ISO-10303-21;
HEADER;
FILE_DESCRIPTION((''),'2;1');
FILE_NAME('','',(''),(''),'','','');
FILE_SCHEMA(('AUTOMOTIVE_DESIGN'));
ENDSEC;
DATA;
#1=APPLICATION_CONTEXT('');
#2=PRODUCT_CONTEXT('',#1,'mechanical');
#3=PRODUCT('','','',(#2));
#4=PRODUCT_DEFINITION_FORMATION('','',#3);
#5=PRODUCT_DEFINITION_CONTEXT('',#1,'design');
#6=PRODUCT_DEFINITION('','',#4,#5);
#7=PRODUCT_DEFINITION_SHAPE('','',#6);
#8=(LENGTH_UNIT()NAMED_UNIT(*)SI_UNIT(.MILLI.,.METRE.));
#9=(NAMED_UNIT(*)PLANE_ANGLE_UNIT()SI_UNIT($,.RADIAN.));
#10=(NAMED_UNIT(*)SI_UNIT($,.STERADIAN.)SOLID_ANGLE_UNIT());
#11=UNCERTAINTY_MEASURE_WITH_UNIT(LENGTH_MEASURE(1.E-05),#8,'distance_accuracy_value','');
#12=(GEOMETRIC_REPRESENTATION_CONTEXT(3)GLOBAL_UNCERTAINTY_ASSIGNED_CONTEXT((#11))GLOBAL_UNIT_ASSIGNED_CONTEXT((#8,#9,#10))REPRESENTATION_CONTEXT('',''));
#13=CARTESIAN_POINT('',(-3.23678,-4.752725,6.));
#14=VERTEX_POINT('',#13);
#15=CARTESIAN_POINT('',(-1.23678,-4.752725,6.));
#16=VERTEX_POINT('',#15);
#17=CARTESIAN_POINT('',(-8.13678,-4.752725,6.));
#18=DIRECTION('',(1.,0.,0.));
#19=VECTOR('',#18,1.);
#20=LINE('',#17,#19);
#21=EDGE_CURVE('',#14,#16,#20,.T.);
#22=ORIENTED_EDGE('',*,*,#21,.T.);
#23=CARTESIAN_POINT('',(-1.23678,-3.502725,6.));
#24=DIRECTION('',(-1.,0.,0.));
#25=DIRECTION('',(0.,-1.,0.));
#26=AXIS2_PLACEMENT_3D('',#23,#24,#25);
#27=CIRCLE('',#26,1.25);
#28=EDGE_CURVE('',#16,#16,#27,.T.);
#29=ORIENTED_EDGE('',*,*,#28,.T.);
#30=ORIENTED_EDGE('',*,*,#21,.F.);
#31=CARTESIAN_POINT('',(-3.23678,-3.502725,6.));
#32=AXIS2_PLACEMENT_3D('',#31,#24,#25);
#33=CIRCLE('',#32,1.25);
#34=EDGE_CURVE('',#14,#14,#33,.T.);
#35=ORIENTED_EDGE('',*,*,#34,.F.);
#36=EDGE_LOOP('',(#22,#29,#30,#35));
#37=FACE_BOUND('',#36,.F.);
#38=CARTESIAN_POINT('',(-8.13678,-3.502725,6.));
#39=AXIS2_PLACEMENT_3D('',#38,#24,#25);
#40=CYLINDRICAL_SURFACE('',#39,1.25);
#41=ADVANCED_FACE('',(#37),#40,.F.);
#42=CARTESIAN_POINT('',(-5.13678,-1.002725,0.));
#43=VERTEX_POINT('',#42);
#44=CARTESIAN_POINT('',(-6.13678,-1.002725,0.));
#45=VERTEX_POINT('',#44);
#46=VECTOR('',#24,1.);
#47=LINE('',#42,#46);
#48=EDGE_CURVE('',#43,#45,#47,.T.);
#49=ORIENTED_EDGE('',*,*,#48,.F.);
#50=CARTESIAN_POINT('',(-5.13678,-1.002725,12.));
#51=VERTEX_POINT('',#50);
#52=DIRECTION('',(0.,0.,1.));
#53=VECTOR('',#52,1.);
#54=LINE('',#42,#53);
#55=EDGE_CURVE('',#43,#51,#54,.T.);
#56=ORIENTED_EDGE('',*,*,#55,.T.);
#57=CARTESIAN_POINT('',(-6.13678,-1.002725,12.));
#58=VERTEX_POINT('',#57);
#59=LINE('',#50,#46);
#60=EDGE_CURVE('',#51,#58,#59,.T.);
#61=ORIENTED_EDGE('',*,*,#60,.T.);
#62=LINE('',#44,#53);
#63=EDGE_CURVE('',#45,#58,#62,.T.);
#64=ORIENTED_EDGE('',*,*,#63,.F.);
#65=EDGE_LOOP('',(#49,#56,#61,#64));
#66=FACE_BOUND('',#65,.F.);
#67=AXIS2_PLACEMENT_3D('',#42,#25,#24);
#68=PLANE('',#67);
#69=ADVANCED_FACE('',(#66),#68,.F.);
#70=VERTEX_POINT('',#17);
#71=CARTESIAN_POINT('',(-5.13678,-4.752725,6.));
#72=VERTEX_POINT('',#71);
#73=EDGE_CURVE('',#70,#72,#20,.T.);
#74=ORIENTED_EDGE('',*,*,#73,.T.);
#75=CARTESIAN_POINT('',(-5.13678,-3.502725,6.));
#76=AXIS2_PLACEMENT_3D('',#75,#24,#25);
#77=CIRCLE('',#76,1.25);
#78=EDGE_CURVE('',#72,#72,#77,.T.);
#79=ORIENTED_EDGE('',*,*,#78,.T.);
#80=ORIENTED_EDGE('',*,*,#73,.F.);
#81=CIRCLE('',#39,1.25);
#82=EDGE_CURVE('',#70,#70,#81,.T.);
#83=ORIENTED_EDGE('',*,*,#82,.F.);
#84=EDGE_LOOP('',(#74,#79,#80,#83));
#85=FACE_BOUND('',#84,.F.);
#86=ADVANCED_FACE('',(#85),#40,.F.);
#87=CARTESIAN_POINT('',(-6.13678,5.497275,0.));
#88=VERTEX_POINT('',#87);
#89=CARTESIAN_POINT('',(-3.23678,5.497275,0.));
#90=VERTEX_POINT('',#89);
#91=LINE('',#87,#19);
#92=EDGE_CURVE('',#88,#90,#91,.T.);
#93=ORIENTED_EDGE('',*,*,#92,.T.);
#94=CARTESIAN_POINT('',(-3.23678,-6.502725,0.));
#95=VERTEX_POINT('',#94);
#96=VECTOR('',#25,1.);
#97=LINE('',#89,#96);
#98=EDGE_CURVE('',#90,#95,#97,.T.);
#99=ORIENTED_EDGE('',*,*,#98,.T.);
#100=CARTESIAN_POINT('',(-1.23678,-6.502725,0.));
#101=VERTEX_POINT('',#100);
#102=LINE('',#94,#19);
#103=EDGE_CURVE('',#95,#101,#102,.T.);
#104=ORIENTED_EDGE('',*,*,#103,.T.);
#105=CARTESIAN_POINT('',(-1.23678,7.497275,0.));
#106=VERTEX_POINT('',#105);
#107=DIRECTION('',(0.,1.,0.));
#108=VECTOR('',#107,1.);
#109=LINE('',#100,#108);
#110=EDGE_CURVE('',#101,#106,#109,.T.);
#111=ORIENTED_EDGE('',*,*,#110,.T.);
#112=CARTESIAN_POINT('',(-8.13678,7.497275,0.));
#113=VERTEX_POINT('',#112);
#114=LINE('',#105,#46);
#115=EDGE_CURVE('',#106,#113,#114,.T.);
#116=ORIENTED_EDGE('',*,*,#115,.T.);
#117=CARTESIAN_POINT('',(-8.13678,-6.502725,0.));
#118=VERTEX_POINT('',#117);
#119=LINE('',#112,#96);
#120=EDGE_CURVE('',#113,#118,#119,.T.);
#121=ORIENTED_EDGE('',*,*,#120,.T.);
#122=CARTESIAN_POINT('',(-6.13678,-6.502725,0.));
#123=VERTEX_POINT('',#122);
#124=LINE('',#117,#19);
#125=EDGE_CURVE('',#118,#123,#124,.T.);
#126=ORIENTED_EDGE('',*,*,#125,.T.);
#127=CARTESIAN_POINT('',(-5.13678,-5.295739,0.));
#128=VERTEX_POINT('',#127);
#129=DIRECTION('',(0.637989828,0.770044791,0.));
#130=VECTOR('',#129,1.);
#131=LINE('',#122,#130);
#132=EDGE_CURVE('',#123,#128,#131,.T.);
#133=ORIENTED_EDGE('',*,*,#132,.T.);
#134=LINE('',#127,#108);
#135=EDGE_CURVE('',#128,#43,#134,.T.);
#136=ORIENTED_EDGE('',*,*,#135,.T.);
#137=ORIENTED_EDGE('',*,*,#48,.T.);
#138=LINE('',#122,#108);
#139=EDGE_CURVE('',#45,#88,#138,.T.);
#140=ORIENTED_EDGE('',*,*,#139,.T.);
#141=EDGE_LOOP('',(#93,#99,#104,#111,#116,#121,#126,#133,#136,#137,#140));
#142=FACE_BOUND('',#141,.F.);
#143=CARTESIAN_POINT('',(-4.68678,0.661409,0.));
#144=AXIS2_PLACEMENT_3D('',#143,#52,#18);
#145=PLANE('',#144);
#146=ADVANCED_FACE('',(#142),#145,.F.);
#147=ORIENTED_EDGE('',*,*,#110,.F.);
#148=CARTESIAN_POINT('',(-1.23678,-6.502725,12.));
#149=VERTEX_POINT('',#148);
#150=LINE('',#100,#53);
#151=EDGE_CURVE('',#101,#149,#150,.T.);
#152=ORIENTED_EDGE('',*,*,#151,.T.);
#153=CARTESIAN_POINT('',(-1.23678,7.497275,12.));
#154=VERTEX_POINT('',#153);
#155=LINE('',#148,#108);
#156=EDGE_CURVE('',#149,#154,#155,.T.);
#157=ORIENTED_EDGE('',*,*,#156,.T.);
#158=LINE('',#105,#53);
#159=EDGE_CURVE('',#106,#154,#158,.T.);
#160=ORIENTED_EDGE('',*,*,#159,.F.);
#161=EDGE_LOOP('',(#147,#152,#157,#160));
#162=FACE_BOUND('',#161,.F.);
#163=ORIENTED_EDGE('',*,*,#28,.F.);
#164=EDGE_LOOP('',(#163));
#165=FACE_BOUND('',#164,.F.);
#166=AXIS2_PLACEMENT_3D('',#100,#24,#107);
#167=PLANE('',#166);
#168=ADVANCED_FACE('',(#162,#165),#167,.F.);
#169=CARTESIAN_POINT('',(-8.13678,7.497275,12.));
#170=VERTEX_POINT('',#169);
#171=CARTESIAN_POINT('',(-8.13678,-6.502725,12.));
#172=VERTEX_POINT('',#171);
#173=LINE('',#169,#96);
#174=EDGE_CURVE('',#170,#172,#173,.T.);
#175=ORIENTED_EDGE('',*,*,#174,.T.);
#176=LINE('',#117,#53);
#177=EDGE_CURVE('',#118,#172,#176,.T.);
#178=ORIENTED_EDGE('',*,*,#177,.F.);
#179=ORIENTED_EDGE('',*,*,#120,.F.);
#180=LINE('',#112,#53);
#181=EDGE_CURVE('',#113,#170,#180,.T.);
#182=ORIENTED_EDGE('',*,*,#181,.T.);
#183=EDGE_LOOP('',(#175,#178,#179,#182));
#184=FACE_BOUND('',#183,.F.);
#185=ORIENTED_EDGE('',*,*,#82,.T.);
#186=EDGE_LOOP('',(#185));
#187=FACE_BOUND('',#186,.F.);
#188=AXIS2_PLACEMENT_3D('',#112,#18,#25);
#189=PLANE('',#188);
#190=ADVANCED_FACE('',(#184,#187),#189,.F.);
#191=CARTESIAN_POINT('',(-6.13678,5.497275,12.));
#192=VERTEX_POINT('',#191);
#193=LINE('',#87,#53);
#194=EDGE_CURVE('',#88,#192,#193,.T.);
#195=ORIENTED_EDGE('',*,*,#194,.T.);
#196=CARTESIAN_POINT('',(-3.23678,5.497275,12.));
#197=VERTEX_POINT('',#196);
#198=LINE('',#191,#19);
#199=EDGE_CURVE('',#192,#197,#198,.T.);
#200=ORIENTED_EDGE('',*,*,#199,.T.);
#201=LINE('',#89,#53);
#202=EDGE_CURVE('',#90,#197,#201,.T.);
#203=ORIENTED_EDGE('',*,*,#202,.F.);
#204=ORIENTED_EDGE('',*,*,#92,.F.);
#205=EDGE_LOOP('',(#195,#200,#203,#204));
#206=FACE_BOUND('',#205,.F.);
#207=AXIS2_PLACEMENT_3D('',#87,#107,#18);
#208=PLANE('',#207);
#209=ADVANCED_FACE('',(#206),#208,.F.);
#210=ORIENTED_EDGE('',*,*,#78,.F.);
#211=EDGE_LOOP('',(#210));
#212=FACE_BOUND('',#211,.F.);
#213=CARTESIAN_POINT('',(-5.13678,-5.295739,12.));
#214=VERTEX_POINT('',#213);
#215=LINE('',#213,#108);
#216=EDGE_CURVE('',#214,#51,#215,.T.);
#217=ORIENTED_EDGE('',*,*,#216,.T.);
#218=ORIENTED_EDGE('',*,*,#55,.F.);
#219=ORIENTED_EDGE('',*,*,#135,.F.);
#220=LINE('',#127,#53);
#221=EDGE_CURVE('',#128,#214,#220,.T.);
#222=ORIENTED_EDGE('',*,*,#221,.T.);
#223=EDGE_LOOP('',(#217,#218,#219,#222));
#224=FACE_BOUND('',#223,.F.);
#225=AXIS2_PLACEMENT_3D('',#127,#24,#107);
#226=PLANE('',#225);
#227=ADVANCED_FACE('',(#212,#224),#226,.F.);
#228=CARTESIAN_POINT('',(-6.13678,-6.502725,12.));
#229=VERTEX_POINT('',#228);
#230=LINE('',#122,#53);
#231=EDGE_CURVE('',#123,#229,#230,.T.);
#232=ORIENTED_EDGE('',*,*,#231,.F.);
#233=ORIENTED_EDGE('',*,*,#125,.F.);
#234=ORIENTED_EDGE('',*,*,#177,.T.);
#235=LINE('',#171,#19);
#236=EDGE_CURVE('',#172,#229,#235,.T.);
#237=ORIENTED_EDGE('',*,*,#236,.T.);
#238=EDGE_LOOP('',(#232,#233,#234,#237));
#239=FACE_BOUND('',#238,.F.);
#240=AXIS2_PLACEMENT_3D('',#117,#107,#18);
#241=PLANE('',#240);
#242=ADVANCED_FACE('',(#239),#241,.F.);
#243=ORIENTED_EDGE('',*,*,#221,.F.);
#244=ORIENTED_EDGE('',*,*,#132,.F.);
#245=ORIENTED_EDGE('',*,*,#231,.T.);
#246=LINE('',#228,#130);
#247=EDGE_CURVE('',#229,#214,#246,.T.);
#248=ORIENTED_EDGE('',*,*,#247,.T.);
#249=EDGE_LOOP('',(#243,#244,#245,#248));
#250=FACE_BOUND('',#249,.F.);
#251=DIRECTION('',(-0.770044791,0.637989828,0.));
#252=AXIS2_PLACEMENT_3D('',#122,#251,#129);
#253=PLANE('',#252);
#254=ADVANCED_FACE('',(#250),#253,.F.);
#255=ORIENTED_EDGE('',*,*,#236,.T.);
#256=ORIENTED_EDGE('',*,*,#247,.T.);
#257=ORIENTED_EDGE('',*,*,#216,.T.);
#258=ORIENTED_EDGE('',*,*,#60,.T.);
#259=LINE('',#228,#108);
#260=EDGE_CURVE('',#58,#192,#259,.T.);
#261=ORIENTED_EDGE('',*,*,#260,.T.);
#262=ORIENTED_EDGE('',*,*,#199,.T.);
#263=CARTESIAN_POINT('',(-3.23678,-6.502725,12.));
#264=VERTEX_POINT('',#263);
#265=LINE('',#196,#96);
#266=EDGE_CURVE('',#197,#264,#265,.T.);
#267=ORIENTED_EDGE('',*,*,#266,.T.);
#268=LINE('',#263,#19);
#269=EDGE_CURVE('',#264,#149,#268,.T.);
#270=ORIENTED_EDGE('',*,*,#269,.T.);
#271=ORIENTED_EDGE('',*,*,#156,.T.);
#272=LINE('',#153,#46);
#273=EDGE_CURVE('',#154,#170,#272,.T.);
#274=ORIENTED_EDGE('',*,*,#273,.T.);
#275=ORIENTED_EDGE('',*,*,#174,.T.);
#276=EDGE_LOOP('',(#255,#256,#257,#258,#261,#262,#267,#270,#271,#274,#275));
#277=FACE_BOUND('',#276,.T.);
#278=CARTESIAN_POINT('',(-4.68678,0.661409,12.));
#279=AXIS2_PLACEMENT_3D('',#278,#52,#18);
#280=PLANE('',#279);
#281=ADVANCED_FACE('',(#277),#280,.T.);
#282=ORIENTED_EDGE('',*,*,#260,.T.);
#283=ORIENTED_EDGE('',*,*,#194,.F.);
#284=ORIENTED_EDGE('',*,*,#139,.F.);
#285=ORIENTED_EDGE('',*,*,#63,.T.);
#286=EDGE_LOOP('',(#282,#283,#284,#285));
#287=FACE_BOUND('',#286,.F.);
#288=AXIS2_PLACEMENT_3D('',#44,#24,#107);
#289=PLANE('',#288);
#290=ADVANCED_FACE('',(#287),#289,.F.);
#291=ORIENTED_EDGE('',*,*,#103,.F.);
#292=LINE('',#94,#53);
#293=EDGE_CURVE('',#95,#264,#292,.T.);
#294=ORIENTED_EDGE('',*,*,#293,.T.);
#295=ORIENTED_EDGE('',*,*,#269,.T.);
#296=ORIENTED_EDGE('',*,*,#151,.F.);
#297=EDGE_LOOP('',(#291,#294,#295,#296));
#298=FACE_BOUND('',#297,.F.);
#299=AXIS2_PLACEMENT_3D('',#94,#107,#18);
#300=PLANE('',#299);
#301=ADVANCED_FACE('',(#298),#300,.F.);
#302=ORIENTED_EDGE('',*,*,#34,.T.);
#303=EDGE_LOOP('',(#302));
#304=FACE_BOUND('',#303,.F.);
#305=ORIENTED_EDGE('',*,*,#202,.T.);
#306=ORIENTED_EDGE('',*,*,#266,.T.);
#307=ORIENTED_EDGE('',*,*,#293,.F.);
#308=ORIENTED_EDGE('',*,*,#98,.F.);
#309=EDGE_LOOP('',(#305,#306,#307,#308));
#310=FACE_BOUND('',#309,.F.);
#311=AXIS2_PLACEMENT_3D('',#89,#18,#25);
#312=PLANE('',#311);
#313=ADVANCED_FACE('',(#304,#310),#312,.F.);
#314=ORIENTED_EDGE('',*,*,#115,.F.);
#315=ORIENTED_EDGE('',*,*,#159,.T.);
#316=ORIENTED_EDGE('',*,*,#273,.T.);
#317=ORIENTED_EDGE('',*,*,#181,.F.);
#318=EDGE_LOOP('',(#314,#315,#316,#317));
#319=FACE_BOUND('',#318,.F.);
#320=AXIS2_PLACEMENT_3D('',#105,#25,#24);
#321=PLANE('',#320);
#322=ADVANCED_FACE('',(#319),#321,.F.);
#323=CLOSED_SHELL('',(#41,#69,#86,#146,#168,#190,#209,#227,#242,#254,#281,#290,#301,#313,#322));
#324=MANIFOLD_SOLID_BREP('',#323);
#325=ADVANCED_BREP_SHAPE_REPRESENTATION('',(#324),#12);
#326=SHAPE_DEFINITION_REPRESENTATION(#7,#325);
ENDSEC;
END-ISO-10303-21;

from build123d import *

# Parameters (mm, degrees)
F1_DEPTH = 12
F2_R     = 1.25
F3_DEPTH = 25


with BuildPart() as f1:
    # F0 (on Top) → F1 (new body)
    with BuildSketch(Plane.XY):
        Polygon((-8.13678, -6.502725), (-6.13678, -6.502725), (-6.13678, -1.002725), (-6.13678, 5.497275), (-3.23678, 5.497275), (-3.23678, -6.502725), (-1.23678, -6.502725), (-1.23678, 7.497275), (-8.13678, 7.497275), align=None)
        Polygon((-6.13678, -1.002725), (-6.13678, -6.502725), (-5.13678, -5.295739), (-5.13678, -1.002725), align=None)
    extrude(amount=F1_DEPTH)

    # F2 (on face) → F3 (cut)
    with BuildSketch(Plane(origin=(-8.13678, 0, 0), x_dir=(0, -1, 0), z_dir=(-1, 0, 0))):
        with Locations((3.502725, 6)):
            Circle(F2_R)
    extrude(amount=-F3_DEPTH, mode=Mode.SUBTRACT)


solid = f1.part
